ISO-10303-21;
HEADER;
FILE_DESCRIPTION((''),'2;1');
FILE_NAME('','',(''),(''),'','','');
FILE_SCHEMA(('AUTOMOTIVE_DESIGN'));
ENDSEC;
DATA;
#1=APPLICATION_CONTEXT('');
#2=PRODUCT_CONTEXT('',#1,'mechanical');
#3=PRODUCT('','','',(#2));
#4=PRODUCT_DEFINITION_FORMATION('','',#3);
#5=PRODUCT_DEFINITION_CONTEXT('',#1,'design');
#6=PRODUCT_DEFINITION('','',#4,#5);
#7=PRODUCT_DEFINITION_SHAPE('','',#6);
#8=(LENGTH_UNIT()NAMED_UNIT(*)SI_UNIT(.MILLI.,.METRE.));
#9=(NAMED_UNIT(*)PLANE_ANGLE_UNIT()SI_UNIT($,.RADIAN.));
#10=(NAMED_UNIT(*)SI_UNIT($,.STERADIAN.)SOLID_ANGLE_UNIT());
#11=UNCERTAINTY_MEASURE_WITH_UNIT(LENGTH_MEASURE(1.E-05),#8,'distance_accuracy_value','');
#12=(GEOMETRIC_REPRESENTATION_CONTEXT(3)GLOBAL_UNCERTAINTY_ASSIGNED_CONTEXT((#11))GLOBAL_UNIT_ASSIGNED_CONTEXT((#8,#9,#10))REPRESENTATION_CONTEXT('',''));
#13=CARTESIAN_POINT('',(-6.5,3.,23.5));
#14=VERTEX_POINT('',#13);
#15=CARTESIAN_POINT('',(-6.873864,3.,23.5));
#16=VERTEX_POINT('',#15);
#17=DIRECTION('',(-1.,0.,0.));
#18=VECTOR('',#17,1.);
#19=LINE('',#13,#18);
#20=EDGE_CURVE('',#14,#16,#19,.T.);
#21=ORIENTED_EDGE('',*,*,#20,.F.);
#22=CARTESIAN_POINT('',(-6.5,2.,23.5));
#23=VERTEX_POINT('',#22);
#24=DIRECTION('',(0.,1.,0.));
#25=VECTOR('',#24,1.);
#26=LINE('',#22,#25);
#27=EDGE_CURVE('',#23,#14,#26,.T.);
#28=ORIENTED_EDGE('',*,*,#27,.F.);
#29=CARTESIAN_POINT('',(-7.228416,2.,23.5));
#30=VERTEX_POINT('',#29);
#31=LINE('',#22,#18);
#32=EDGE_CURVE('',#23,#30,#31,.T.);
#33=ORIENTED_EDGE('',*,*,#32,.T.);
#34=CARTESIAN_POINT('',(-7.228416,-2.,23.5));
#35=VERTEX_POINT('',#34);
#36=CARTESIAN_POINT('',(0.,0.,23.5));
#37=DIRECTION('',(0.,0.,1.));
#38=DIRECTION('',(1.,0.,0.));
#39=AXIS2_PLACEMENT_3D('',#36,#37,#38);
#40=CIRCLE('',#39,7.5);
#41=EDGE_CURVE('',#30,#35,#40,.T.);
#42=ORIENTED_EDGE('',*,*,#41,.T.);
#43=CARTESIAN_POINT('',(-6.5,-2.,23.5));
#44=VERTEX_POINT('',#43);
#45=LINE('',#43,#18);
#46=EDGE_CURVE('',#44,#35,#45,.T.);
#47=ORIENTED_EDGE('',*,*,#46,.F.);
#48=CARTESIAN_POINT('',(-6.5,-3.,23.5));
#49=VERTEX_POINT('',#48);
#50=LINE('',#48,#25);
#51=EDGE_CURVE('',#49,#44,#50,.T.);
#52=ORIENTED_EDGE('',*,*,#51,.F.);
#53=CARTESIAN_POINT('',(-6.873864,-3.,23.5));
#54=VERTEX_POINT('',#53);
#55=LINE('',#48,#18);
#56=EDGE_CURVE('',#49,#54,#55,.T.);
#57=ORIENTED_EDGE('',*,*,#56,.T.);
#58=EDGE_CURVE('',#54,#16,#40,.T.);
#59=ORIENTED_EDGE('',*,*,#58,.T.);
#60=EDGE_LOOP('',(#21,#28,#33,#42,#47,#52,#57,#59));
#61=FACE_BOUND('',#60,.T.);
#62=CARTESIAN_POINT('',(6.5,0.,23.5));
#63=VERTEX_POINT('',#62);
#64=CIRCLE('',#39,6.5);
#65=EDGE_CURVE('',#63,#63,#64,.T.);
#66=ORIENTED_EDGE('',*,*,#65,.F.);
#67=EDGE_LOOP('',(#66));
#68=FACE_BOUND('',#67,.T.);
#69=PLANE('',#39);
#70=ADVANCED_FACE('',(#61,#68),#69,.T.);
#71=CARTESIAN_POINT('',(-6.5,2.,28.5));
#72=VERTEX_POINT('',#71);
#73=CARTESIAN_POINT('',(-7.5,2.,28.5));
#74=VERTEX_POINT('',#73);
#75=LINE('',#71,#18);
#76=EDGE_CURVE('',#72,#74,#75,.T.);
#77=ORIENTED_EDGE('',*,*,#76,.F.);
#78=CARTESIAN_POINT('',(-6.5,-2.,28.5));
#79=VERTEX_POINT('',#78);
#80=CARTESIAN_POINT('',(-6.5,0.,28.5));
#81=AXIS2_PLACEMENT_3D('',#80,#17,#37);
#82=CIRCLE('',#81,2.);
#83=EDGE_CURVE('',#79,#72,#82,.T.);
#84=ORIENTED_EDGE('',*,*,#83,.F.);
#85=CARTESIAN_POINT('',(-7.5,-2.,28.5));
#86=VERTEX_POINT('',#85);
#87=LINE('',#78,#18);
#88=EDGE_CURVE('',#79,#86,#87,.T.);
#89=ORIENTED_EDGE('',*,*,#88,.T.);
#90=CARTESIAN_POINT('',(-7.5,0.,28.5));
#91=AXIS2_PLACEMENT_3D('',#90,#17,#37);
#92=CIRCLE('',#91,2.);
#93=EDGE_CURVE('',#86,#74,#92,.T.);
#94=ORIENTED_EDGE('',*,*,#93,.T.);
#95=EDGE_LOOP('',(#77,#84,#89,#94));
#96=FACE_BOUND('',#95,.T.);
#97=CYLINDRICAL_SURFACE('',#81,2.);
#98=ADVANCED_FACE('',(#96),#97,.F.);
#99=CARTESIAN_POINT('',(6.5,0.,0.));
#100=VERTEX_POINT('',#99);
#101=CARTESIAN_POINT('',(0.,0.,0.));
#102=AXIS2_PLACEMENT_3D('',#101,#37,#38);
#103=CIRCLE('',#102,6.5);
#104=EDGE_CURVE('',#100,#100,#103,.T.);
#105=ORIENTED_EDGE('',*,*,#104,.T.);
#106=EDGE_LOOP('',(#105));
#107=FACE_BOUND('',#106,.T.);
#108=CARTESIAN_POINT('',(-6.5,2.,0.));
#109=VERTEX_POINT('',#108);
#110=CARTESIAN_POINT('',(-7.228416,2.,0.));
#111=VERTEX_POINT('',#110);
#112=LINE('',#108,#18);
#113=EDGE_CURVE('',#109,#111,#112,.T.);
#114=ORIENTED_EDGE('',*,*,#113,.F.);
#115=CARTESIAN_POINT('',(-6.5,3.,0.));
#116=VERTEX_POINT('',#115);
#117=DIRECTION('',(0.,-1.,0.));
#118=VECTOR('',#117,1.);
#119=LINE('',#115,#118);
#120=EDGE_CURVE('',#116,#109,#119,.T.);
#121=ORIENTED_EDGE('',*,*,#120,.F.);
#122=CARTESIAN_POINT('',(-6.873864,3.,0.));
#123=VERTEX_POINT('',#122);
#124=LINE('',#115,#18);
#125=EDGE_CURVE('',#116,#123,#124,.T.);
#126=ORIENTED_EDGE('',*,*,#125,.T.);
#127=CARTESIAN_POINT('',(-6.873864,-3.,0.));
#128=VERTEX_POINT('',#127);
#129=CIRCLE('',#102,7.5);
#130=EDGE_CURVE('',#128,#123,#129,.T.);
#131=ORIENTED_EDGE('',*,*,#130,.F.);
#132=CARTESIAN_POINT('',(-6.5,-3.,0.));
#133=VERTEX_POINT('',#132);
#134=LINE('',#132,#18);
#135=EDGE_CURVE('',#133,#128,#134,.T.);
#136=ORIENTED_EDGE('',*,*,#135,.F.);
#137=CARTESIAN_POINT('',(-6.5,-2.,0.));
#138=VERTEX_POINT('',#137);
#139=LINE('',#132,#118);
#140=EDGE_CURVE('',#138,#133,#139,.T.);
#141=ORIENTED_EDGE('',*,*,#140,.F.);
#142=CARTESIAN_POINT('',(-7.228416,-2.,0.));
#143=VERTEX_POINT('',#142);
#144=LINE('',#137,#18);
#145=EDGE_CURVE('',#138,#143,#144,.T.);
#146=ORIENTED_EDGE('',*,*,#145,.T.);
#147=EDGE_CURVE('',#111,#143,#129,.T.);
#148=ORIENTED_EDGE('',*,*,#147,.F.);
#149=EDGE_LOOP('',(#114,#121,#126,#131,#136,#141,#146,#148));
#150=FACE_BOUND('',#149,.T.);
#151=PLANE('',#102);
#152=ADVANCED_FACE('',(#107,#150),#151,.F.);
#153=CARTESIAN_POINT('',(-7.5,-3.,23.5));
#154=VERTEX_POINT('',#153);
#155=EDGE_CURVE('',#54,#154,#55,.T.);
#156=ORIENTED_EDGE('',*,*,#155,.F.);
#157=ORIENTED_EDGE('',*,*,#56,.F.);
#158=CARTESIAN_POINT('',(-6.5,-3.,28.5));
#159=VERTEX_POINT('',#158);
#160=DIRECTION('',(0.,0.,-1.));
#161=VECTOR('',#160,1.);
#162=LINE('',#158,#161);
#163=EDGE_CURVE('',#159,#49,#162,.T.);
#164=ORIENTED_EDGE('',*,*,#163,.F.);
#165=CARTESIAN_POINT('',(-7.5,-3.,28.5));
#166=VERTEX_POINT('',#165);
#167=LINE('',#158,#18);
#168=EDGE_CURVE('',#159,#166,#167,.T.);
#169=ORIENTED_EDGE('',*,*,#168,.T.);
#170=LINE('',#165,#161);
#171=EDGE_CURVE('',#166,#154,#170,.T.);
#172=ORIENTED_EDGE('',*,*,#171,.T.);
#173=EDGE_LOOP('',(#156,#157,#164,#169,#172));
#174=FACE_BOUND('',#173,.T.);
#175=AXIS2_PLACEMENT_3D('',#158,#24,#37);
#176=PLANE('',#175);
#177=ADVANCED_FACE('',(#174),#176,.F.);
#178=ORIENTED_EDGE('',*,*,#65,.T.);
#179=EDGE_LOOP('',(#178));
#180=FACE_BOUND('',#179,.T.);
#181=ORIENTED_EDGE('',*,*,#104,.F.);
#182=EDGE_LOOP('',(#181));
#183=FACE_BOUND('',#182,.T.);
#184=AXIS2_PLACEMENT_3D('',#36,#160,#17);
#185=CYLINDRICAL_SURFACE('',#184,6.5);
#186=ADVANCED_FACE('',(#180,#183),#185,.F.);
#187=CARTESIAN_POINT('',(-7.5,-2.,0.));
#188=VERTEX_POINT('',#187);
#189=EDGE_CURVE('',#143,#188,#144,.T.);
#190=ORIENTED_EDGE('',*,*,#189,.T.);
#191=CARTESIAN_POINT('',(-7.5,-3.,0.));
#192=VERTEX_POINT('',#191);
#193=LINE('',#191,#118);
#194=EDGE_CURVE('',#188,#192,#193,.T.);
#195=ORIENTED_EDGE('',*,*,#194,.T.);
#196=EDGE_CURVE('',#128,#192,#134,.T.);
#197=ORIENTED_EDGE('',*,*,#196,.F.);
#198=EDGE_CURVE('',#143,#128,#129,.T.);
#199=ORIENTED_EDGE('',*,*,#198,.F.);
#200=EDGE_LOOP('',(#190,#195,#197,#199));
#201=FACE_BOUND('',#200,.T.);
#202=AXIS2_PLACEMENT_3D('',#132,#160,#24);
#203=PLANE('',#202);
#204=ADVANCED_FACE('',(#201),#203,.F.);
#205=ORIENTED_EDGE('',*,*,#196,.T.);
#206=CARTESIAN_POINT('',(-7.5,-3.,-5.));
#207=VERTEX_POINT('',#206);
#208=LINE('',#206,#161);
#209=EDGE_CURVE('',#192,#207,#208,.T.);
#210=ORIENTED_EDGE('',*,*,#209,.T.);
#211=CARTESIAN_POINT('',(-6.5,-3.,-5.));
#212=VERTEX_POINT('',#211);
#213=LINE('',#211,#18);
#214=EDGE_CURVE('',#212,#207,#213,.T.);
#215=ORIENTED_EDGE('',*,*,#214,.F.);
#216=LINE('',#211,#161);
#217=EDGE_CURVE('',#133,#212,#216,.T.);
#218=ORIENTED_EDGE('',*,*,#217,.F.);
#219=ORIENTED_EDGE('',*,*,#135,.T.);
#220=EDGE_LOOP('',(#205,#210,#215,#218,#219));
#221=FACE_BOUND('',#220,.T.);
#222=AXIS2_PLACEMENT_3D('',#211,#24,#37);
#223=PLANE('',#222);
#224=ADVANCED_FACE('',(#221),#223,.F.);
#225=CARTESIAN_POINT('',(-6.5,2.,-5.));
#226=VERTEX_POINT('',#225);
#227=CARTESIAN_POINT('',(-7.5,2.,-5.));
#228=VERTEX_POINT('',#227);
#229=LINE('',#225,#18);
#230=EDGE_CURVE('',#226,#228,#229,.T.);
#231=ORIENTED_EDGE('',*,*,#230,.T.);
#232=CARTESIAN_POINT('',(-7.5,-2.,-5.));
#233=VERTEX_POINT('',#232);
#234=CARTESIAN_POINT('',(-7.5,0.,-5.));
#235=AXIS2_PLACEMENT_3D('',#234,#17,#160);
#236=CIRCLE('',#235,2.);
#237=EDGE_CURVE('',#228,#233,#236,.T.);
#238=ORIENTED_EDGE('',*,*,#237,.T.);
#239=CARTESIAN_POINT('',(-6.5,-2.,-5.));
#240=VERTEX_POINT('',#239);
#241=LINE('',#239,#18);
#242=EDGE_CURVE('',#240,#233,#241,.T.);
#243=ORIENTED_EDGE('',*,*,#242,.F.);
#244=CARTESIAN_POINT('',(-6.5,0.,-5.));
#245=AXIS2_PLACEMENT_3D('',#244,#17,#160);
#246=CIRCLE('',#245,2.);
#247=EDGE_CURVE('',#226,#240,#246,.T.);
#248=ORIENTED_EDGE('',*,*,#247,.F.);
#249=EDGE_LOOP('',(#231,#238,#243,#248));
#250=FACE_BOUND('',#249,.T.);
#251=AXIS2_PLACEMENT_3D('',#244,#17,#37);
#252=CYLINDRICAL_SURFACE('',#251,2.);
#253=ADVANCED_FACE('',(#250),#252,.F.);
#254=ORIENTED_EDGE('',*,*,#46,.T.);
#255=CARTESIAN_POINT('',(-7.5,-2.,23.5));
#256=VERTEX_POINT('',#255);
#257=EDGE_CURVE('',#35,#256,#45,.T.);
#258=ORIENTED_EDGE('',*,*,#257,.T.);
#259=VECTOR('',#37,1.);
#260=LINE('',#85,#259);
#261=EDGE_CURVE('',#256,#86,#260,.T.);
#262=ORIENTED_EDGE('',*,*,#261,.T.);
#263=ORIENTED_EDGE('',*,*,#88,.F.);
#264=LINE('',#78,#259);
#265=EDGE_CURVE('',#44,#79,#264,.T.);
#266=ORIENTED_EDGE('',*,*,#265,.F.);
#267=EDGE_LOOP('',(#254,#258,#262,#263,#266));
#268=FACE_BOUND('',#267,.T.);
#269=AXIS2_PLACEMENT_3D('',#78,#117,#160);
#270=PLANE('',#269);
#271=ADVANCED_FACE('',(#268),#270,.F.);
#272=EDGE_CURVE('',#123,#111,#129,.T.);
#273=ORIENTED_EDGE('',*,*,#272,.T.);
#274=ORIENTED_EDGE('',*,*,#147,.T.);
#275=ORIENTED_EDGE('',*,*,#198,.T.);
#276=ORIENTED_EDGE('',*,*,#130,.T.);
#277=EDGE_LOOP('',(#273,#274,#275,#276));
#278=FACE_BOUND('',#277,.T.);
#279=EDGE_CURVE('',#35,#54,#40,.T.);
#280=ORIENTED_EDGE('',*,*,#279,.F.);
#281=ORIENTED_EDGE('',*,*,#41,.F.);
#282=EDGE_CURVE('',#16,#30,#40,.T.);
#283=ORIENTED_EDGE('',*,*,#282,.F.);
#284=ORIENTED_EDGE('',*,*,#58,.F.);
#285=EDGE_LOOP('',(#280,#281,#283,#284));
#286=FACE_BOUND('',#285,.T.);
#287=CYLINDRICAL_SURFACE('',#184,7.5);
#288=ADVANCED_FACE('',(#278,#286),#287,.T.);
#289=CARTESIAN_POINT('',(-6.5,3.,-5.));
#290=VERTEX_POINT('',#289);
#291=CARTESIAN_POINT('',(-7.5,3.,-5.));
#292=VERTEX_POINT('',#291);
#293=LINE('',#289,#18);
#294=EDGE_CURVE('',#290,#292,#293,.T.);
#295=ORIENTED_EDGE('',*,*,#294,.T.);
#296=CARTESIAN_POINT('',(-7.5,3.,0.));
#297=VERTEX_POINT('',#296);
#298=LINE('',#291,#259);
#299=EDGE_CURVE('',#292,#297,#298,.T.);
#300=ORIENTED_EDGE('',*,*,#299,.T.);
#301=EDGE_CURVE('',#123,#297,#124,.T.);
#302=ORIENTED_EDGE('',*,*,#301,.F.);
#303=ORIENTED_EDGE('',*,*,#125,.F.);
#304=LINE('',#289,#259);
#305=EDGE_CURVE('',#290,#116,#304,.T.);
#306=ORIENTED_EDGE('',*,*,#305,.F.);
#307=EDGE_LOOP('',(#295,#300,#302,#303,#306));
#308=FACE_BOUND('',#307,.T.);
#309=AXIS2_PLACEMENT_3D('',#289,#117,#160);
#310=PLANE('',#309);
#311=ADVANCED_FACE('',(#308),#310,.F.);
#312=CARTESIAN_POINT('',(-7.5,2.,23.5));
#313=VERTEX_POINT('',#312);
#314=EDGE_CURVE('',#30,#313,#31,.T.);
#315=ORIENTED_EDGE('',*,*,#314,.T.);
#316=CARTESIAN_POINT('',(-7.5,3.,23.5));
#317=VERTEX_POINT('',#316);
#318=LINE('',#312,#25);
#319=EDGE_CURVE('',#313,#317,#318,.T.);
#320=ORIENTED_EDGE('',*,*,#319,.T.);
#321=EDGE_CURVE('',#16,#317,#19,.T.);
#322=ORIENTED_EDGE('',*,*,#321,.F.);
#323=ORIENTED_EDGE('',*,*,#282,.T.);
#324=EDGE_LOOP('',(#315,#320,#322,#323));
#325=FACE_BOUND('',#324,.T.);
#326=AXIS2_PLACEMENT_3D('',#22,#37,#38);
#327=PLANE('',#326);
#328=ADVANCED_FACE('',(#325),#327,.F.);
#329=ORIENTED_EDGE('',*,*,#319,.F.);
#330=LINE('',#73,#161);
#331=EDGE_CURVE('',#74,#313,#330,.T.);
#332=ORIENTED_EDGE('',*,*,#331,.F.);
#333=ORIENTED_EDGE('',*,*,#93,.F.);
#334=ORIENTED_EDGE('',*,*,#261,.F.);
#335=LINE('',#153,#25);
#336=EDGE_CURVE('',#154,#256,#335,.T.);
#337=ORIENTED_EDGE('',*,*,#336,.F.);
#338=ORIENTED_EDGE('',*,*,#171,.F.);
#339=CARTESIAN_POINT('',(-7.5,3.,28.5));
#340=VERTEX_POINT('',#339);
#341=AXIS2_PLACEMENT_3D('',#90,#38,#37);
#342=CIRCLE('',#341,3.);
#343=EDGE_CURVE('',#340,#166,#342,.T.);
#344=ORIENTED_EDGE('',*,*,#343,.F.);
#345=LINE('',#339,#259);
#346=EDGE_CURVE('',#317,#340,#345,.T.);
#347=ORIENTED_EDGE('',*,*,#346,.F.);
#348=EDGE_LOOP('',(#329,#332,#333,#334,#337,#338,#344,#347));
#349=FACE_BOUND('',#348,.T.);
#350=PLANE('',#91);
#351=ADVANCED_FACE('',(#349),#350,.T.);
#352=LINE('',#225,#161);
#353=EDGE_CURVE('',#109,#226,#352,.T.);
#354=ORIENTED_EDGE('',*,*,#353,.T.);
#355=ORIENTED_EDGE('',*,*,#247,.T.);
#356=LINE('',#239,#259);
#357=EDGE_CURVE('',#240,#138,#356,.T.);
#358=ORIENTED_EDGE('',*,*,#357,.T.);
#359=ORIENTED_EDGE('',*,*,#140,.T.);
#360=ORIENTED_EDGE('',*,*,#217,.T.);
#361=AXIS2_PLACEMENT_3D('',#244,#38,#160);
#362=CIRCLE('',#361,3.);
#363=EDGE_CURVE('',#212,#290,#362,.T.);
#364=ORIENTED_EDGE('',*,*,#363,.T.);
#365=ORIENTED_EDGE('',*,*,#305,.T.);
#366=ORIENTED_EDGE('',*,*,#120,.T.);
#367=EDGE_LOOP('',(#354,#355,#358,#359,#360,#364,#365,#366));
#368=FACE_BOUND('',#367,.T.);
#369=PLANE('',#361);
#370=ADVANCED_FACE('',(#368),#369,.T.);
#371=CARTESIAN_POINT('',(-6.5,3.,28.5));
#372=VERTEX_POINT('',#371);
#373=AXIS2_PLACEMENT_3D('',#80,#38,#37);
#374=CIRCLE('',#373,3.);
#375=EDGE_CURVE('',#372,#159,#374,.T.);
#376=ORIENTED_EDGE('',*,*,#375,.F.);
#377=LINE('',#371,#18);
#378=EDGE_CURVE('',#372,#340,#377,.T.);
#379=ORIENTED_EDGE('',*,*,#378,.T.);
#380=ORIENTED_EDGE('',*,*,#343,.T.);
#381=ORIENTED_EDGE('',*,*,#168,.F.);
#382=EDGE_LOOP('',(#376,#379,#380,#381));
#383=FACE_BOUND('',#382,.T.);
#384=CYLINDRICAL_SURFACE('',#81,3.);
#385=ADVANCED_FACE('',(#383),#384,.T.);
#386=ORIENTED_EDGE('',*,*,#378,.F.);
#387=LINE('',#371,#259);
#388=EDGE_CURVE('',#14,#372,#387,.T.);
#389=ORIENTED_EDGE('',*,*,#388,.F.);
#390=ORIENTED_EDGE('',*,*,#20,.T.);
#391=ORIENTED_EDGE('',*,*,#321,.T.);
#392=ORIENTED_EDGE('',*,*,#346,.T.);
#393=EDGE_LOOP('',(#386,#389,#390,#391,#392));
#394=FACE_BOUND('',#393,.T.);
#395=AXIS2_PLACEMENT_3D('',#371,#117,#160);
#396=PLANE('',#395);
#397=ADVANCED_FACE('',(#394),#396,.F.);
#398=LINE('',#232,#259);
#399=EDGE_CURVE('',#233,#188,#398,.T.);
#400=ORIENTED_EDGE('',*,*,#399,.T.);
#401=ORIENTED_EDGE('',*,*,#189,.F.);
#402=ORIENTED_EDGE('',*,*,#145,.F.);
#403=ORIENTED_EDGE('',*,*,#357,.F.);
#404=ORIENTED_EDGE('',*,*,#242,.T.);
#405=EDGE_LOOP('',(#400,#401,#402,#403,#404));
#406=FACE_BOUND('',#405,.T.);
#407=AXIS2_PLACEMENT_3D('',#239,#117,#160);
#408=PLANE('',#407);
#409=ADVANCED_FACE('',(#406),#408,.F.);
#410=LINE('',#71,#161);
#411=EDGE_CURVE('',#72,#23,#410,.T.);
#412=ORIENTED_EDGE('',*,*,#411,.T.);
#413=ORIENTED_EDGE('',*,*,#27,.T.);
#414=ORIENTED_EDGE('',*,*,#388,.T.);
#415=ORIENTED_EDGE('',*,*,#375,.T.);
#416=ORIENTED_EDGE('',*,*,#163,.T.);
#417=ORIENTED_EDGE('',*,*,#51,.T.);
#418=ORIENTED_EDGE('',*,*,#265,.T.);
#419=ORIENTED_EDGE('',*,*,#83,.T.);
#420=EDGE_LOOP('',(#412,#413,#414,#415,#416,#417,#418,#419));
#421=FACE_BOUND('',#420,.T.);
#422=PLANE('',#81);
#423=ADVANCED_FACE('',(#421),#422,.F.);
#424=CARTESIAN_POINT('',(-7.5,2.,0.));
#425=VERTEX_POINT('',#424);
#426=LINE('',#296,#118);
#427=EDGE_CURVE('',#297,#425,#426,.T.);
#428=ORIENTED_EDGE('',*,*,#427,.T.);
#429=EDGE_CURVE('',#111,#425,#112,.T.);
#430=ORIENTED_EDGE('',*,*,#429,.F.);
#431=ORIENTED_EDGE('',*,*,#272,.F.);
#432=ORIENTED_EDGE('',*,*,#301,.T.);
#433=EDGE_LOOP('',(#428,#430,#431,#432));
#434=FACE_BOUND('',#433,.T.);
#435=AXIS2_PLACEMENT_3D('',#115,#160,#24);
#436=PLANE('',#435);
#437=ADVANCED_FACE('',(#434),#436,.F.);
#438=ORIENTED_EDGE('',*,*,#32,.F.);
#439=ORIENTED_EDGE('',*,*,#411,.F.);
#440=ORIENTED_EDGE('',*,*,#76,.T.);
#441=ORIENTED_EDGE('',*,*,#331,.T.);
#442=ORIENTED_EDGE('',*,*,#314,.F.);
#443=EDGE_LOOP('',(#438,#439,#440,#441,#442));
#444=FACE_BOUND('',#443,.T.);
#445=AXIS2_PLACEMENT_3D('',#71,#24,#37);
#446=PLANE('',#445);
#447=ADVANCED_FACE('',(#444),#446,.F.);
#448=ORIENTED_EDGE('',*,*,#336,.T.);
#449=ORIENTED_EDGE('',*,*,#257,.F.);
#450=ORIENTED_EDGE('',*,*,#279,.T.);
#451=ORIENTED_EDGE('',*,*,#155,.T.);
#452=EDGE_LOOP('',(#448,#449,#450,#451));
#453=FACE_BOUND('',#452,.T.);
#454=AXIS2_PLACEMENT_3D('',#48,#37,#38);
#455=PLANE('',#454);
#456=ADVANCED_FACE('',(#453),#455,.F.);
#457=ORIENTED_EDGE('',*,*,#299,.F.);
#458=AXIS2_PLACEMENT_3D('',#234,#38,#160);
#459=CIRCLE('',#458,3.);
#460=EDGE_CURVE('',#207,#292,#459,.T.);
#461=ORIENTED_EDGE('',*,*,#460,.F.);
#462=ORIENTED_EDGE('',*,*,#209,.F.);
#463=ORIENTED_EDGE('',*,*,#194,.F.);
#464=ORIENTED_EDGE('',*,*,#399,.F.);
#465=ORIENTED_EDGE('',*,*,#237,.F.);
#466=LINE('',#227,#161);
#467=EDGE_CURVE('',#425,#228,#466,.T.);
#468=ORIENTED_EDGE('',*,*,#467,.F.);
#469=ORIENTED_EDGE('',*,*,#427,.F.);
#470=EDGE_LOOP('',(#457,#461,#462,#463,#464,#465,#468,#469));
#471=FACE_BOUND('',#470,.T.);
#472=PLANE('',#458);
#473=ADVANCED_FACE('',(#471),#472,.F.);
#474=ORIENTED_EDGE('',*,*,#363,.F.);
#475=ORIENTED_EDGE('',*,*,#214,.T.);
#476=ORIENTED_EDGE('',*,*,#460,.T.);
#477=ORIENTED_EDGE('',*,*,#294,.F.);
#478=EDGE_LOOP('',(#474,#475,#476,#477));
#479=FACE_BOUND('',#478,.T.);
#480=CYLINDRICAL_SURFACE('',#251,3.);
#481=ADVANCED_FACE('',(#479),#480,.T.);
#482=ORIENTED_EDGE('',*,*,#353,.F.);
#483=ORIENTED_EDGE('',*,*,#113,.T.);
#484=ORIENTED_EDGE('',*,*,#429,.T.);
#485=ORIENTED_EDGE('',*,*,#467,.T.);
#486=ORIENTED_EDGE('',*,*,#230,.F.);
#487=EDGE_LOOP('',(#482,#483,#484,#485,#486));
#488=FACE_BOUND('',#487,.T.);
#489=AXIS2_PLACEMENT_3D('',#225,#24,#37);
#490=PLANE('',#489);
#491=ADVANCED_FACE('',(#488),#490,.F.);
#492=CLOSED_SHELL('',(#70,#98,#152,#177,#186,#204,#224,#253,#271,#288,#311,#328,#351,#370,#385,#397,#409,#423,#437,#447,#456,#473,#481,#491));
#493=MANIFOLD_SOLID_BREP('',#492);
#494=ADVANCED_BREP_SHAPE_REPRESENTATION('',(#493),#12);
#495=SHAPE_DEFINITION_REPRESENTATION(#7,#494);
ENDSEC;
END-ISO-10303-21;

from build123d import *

# Parameters (mm, degrees)
ESBO_O2_R                = 7.5
ESBO_O2_R_2              = 6.5
RESSALTO_EXTRUS_O1_DEPTH = 23.5
RESSALTO_EXTRUS_O2_DEPTH = 1


with BuildPart() as part:
    # Esboço2 → Ressalto-extrusão1 (new body)
    with BuildSketch(Plane.XY):
        Circle(ESBO_O2_R)
        Circle(ESBO_O2_R_2, mode=Mode.SUBTRACT)
    extrude(amount=RESSALTO_EXTRUS_O1_DEPTH)

    # Esboço3 → Ressalto-extrusão2 (add)
    with BuildSketch(Plane(origin=(-7.5, 0, 0), x_dir=(0, 0, -1), z_dir=(1, 0, 0))):
        with BuildLine():
            Line((5, 2), (0, 2))
            Line((0, 2), (0, 3))
            Line((0, 3), (5, 3))
            ThreePointArc((5, 3), (8, 0), (5, -3))
            Line((5, -3), (0, -3))
            Line((0, -3), (0, -2))
            Line((0, -2), (5, -2))
            ThreePointArc((5, -2), (7, 0), (5, 2))
        make_face()
        with BuildLine():
            Line((-28.5, 3), (-23.5, 3))
            Line((-23.5, 3), (-23.5, 2))
            Line((-23.5, 2), (-28.5, 2))
            ThreePointArc((-28.5, 2), (-30.5, 0), (-28.5, -2))
            Line((-28.5, -2), (-23.5, -2))
            Line((-23.5, -2), (-23.5, -3))
            Line((-23.5, -3), (-28.5, -3))
            ThreePointArc((-28.5, -3), (-31.5, 0), (-28.5, 3))
        make_face()
    extrude(amount=RESSALTO_EXTRUS_O2_DEPTH)


solid = part.part
